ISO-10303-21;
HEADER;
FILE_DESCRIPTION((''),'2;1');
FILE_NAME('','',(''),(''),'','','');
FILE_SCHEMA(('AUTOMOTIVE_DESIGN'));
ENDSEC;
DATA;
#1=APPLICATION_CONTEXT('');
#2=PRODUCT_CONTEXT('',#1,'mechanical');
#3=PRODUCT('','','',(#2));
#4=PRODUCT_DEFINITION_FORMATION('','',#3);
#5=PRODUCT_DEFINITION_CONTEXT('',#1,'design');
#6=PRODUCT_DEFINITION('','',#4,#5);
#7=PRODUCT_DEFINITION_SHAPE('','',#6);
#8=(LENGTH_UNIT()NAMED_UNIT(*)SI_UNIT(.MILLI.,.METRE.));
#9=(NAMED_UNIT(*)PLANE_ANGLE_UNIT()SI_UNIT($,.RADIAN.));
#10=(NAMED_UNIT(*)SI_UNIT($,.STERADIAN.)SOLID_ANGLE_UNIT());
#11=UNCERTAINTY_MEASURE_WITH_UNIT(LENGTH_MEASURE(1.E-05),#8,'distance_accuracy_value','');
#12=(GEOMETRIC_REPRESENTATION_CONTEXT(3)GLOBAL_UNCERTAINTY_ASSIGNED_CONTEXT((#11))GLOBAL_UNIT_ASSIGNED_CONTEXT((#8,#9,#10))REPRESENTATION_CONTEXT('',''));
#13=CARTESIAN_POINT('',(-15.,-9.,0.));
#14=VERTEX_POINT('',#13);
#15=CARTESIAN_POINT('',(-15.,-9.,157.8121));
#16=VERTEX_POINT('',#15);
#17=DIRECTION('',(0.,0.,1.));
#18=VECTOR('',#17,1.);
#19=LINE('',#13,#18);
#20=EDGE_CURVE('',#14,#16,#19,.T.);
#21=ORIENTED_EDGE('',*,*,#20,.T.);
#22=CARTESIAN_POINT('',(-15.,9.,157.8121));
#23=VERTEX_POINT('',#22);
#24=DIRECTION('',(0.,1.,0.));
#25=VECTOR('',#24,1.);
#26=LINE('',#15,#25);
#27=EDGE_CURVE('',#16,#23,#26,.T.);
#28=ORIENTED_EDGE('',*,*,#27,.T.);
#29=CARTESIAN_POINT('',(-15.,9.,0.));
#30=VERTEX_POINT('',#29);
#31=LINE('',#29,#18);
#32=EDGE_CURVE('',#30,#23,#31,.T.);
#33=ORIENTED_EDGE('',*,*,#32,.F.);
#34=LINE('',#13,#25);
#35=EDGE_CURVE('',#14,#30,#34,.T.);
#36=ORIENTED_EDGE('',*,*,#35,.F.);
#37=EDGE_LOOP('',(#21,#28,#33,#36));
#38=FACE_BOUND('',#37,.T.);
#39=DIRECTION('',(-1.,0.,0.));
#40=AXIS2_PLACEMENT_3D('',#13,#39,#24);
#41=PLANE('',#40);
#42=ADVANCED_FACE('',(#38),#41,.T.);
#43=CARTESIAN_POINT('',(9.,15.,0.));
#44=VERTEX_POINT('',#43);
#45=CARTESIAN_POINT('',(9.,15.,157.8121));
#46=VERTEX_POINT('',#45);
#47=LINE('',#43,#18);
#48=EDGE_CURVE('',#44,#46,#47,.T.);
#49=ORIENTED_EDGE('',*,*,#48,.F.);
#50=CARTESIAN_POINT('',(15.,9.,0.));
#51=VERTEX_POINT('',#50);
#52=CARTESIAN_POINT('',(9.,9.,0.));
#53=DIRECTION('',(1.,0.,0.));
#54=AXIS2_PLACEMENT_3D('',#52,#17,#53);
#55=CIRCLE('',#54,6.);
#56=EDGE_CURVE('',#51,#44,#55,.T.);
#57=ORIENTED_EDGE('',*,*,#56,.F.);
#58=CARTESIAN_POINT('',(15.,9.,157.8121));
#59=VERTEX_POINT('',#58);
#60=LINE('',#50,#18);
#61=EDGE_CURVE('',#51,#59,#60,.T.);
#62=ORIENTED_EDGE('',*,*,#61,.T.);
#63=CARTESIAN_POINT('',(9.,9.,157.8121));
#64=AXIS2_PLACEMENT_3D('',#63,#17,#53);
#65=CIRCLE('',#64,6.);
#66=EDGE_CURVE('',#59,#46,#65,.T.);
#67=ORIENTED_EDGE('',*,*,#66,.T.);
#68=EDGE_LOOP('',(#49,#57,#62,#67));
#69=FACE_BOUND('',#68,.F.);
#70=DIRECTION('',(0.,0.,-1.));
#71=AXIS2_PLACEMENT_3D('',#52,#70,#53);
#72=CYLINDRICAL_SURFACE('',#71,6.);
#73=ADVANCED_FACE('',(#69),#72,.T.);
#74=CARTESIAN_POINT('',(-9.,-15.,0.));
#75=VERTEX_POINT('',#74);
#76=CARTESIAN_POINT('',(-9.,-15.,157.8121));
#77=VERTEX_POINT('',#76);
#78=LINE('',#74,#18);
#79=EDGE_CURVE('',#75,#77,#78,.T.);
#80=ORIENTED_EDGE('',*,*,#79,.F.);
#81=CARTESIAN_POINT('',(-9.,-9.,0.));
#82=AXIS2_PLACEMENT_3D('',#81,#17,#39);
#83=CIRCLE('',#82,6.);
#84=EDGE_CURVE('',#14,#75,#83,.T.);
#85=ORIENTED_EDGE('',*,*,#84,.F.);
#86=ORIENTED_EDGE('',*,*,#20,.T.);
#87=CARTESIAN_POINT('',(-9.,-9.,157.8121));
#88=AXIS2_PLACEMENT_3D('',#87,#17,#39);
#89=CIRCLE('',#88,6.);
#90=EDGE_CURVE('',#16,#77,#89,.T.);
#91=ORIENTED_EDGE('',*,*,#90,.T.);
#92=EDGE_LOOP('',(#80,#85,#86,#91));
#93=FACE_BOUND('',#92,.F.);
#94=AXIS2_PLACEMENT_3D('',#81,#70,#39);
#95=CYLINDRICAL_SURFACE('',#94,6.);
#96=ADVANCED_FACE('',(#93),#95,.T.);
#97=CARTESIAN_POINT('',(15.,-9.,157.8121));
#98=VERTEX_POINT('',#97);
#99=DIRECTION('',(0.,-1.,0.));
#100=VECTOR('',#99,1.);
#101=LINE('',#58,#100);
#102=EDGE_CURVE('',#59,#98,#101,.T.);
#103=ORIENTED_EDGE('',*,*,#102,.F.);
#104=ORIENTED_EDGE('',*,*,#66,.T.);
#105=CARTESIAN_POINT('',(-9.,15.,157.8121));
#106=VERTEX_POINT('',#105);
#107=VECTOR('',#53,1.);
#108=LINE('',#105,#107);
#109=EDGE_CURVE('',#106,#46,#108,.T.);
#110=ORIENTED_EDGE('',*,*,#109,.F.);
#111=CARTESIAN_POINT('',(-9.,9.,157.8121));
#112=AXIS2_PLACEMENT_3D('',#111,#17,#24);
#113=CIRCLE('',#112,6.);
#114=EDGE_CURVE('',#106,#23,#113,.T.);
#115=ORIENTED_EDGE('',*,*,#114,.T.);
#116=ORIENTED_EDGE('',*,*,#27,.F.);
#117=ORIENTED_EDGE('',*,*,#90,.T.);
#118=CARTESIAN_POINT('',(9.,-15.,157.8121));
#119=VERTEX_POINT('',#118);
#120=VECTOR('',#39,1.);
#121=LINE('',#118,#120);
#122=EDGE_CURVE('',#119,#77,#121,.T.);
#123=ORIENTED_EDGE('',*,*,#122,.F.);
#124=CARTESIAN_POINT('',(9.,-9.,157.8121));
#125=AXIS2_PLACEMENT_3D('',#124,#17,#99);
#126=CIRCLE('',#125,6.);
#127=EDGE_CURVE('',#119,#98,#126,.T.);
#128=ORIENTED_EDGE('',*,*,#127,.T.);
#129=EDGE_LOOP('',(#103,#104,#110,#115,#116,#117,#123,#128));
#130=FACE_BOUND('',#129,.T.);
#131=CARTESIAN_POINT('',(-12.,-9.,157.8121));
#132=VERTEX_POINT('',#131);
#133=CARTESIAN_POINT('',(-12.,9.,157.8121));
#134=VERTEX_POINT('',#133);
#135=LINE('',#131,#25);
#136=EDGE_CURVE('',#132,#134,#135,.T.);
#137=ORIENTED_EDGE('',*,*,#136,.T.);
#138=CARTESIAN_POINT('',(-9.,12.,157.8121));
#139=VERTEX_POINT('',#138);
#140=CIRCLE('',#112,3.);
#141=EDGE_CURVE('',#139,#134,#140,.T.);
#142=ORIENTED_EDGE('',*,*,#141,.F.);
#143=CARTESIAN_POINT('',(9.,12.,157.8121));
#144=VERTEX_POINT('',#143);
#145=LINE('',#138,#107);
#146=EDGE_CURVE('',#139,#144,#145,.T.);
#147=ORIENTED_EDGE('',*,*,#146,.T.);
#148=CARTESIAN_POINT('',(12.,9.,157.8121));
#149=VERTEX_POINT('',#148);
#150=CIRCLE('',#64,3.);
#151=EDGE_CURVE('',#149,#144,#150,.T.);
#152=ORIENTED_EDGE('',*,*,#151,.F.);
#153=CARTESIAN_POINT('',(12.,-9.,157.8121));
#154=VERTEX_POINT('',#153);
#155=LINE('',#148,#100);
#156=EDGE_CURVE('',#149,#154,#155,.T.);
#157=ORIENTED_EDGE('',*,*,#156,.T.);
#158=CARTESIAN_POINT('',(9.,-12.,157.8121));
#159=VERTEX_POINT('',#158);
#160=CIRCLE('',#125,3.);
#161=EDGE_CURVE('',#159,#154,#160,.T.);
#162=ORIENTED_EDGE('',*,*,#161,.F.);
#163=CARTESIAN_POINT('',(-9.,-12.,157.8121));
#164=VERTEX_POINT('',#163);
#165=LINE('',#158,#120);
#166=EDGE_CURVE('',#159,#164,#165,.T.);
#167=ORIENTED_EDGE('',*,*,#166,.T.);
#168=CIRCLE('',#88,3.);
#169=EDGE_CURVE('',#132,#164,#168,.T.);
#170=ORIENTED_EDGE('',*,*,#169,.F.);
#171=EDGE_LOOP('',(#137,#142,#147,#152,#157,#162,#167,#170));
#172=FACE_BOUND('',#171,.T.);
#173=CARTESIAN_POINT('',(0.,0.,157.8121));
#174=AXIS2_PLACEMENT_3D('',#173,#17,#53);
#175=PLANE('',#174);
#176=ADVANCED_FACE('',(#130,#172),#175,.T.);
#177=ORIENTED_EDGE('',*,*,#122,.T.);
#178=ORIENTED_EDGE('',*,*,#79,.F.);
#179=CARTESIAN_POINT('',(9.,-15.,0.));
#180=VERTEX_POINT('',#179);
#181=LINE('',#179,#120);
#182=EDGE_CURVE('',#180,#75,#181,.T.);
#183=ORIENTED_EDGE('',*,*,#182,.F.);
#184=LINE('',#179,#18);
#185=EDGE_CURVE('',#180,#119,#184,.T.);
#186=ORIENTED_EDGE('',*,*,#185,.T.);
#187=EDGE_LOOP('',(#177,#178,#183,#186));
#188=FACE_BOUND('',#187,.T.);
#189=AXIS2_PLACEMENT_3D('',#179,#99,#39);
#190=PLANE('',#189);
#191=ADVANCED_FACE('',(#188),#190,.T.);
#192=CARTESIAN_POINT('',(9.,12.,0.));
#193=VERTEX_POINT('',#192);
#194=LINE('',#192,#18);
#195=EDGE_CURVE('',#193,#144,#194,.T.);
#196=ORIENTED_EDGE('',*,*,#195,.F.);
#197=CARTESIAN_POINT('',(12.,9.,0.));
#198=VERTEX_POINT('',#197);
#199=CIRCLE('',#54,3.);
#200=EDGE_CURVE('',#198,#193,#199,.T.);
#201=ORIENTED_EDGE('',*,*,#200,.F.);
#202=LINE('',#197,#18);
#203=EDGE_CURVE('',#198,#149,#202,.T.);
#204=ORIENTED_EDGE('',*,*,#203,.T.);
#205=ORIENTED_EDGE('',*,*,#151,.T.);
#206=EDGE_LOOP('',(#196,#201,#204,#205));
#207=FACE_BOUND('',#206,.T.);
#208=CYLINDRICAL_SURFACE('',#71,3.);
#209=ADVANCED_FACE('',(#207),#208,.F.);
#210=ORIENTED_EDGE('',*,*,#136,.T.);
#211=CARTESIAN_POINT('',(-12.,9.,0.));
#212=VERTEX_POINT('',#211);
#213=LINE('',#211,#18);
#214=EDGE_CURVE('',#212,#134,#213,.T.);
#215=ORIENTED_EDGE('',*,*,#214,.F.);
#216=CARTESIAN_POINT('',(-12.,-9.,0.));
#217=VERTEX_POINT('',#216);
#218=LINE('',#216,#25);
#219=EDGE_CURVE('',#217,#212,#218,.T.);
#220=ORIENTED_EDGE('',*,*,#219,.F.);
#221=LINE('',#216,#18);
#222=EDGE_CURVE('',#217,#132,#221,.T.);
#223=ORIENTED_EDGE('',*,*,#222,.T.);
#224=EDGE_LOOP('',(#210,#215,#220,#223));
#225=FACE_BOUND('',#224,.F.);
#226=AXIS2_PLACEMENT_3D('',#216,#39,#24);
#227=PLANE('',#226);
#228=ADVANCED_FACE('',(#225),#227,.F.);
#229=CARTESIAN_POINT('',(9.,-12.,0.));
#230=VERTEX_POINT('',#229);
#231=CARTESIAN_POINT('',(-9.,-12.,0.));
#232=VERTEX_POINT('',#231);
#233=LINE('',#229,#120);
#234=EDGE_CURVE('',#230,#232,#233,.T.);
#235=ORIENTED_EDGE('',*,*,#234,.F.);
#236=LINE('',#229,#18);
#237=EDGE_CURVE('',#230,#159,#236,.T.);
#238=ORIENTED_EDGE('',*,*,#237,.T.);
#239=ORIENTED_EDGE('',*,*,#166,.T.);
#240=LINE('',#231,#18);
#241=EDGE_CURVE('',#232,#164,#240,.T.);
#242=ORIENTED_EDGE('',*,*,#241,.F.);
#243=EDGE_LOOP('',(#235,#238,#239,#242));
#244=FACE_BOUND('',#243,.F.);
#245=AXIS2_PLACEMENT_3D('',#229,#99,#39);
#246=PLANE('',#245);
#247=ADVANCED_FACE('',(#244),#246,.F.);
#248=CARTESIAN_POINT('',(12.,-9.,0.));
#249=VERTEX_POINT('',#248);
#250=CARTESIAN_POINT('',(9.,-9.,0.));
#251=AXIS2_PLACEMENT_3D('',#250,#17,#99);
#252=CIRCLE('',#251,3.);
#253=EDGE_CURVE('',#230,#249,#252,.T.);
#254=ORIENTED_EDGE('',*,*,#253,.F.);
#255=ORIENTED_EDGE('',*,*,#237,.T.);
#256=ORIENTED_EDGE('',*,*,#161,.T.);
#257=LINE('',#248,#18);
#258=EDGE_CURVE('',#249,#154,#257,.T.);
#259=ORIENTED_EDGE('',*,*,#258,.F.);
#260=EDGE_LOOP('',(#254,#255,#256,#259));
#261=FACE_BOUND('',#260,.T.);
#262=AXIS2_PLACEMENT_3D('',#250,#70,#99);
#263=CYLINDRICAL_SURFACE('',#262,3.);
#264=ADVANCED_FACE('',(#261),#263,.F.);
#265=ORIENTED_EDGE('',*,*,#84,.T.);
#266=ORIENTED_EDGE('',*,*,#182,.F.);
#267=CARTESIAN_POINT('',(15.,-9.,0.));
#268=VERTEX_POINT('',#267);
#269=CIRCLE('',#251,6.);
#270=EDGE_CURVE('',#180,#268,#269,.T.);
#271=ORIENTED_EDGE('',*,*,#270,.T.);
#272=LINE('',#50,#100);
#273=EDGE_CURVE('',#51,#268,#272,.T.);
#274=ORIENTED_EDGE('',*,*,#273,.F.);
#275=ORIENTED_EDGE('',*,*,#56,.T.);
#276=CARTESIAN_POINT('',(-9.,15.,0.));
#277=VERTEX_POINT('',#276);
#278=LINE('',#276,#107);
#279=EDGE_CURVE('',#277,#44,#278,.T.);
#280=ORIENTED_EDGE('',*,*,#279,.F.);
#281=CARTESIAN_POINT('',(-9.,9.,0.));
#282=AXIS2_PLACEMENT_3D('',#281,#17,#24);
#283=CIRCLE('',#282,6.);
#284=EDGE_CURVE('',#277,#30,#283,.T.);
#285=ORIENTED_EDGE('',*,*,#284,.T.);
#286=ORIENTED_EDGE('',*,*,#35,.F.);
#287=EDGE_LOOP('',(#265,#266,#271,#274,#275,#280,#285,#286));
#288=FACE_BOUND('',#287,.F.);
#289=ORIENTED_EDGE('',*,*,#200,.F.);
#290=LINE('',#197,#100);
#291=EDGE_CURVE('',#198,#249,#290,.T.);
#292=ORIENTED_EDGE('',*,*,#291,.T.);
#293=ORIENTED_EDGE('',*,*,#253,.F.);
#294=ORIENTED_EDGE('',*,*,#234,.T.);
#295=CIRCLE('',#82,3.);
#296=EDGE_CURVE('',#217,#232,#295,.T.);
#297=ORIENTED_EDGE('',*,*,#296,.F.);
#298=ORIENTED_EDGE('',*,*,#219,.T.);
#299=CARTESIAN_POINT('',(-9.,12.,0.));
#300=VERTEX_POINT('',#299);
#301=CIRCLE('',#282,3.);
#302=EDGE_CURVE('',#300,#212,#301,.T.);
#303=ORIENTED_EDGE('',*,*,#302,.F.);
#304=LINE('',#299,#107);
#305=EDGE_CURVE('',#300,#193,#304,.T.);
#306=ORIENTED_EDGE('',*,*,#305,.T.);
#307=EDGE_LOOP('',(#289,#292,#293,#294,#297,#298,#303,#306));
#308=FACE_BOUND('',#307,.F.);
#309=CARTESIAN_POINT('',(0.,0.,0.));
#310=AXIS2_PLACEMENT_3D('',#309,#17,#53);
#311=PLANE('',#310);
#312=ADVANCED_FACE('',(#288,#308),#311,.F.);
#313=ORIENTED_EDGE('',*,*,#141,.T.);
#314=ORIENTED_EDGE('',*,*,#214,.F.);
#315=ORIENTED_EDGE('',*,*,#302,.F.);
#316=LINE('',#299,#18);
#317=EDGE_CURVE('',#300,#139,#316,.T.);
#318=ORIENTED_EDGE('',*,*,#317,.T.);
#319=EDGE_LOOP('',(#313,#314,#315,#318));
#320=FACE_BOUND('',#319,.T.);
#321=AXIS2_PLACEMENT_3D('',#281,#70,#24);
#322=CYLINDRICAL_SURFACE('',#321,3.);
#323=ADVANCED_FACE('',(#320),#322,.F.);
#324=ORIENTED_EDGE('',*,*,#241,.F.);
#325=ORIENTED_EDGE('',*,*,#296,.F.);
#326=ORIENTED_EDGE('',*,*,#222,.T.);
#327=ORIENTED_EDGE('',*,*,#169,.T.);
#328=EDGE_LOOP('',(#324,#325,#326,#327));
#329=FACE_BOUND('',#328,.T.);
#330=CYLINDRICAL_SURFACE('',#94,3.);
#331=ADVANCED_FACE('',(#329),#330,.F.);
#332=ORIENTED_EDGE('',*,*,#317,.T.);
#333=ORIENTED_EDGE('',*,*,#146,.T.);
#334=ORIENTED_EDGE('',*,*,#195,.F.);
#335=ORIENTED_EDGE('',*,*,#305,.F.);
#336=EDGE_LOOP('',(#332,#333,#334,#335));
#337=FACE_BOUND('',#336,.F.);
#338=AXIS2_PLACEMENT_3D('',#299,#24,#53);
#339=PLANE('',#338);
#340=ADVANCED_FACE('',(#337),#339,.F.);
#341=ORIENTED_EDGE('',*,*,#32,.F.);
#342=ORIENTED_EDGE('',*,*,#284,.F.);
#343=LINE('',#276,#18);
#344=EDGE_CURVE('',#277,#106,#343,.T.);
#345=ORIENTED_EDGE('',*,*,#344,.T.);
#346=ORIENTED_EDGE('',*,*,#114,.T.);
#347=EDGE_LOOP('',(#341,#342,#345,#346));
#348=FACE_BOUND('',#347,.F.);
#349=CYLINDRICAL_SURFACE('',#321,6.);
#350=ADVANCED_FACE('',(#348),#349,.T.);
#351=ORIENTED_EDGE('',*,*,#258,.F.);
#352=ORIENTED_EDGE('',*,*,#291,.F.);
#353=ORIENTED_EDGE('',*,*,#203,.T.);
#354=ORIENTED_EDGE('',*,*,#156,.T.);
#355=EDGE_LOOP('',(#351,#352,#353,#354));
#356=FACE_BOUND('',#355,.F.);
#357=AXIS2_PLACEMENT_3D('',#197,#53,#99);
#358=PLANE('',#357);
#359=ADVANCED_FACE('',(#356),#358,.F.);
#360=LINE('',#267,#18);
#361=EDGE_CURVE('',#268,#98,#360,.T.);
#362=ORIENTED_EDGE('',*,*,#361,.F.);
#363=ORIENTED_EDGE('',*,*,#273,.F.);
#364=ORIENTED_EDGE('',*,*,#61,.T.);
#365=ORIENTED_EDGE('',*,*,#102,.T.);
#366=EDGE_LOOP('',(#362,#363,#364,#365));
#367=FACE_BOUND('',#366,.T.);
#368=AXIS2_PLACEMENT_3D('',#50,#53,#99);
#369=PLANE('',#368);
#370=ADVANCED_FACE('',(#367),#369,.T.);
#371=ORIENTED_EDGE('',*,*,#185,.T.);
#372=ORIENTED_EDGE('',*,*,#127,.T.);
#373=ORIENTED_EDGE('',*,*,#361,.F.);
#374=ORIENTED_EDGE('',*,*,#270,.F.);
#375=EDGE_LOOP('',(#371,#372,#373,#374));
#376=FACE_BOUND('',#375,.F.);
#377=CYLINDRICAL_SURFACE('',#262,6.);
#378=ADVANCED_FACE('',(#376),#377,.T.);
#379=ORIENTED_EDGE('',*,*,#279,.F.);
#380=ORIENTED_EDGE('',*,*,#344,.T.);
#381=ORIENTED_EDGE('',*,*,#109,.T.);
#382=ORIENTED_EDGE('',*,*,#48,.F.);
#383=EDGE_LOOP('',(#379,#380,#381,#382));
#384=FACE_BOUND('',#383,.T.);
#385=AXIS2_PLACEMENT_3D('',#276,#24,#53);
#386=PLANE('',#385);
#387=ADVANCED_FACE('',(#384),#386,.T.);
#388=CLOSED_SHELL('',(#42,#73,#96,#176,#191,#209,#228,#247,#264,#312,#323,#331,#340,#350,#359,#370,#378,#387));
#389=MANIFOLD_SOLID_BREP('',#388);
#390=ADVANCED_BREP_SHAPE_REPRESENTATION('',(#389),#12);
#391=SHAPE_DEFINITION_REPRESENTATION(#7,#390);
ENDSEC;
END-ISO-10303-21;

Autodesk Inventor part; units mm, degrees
ref_plane "YZ Plane" through (0, 0, 0) normal (1, 0, 0) x (0, 1, 0)
ref_plane "Plano inicial" through (0, 0, 0) normal (0, 0, 1) x (1, 0, 0)
ref_plane "Plano final" through (0, 0, 157.8121) normal (0, 0, 1) x (1, 0, 0)
sketch "Esboço" plane through (0, 0, 0) normal (0, 0, 1) x (1, 0, 0)
  line L0 (-15, -9) -> (-15, 9)
  line L1 (-9, 15) -> (9, 15)
  line L2 (15, 9) -> (15, -9)
  line L3 (9, -15) -> (-9, -15)
  arc A0 (-15, -9) -> (-9, -15) centre (-9, -9) ccw
  arc A1 (15, 9) -> (9, 15) centre (9, 9) ccw
  arc A2 (-9, 15) -> (-15, 9) centre (-9, 9) ccw
  arc A3 (9, -15) -> (15, -9) centre (9, -9) ccw
  arc A4 (-9, 12) -> (-12, 9) centre (-9, 9) ccw
  line L4 (-9, 12) -> (9, 12)
  arc A5 (12, 9) -> (9, 12) centre (9, 9) ccw
  line L5 (12, 9) -> (12, -9)
  arc A6 (9, -12) -> (12, -9) centre (9, -9) ccw
  line L6 (9, -12) -> (-9, -12)
  arc A7 (-12, -9) -> (-9, -12) centre (-9, -9) ccw
  line L7 (-12, -9) -> (-12, 9)
  line L8 (0, 22.7397) -> (0, -22.7397) construction
  line L9 (-22.7397, 0) -> (22.7397, 0) construction
  dimension "d7" = 6
  dimension "d9" = 30
  dimension "d11" = 30
  dimension "d12" = 3
  dimension "d15" = 15
  dimension "d16" = 15
extrude "Corpo" add sketch "Esboço" along normal up to surface (157.8121 mm away) from surface at 0
sketch "Sketch3" plane through (0, 0, 0) normal (0, 0, 1) x (1, 0, 0)
  line L0 (0, 0) -> (10, 0)
ref_plane "Work Plane3" through (0, 0, 0) normal (0, -1, 0) x (1, 0, 0)
sketch "Sketch4" plane through (0, 0, 0) normal (0, -1, 0) x (1, 0, 0)
  line L0 (-2, 0) -> (12, 0)
  line L1 (-2, 157.8121) -> (12, 157.8121)
  dimension "d18" = 157.8121
equation "\"d7\" = G_IR"
equation "\"d9\" = G_W"
equation "\"d11\" = G_H"
equation "\"d12\" = G_T"
equation "\"d15\" = 0.5 * d9"
equation "\"d16\" = 0.5 * d11"
equation "\"d3\" = G_L"
equation "\"G_W\" = 30"
equation "\"G_H\" = 30"
equation "\"G_T\" = 3"
equation "\"G_IR\" = 6"
equation "\"G_L\" = d18"
equation "\"G_OFFSET_START\" = 0"
equation "\"G_OFFSET_END\" = 0"
equation "\"d14\" = G_OFFSET_END + B_L"
equation "\"B_L\" = 157.81209"
properties part number "ISO 10799-2 - 30x30x3 - 157,812" material "Aço, suave"
